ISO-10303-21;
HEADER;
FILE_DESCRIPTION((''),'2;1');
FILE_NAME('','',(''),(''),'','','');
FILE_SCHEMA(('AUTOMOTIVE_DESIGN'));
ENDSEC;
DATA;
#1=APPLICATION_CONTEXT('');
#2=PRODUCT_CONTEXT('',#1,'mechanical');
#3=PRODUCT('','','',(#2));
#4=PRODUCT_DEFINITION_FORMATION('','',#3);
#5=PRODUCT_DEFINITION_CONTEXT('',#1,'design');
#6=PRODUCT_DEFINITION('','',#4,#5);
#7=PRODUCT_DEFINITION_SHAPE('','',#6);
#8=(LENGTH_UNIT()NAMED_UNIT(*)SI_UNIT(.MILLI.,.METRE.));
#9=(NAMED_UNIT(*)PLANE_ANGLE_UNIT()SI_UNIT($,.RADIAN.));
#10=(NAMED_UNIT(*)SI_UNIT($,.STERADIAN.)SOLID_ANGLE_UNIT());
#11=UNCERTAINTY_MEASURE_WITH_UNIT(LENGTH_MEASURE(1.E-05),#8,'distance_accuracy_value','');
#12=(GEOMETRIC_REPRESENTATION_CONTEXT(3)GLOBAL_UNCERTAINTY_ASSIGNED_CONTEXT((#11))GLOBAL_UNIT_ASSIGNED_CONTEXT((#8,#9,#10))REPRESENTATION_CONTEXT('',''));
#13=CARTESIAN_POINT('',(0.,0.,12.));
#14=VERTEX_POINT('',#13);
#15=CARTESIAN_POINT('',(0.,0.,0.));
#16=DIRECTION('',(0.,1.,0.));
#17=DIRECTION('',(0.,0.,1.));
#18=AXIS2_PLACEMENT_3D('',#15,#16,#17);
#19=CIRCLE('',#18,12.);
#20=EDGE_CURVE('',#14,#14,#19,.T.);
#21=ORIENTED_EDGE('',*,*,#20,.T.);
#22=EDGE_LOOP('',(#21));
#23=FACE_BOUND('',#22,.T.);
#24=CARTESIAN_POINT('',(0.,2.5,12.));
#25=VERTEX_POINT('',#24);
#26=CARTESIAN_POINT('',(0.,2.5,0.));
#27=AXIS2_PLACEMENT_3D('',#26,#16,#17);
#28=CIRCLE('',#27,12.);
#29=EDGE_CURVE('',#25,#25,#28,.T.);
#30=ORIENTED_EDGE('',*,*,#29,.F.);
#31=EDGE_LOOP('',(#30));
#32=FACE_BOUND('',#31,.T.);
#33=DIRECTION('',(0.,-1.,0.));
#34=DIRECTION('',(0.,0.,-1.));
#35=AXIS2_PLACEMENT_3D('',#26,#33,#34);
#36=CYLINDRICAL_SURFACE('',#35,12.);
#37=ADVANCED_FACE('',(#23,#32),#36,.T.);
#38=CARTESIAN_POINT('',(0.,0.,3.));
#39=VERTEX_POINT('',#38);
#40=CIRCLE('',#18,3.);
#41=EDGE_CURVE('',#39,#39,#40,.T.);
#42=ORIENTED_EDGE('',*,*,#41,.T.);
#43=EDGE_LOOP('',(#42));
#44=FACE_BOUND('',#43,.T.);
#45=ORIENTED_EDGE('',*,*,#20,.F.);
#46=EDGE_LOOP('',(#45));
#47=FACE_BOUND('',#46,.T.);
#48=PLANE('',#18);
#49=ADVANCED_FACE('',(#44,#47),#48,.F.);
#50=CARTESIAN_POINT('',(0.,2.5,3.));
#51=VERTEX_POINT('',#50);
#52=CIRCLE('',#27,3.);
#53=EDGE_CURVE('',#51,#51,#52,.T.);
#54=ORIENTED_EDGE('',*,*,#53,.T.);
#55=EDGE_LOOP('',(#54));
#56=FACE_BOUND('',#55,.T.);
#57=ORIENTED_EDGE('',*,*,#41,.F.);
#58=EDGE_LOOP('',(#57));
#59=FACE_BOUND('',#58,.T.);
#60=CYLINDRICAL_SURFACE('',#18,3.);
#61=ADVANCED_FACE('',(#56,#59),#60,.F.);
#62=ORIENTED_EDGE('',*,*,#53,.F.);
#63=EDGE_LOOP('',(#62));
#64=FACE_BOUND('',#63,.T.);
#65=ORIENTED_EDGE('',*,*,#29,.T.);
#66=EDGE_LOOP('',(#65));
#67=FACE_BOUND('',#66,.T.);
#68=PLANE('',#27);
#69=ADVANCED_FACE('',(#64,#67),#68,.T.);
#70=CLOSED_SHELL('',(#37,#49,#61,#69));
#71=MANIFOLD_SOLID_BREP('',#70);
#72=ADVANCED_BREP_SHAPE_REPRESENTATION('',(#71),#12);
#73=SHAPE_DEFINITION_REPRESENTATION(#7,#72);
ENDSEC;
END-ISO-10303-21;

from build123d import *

# Parameters (mm, degrees)
SZKIC1_R                    = 12
DODANIE_WYCI_GNI_CIE1_DEPTH = 2.5
SZKIC2_R                    = 3
WYTNIJ_WYCI_GNI_CIE1_DEPTH  = 2.5


with BuildPart() as part:
    # Szkic1 → Dodanie-wyciągnięcie1 (new body)
    with BuildSketch(Plane(origin=(0, 0, 0), x_dir=(1, 0, 0), z_dir=(0, 1, 0))):
        with Locations(Location((0, 0, 0), (0, 0, 270))):
            Circle(SZKIC1_R)
    extrude(amount=DODANIE_WYCI_GNI_CIE1_DEPTH)

    # Szkic2 → Wytnij-wyciągnięcie1 (cut)
    with BuildSketch(Plane(origin=(0, 2.5, 0), x_dir=(1, 0, 0), z_dir=(0, 1, 0))):
        with Locations(Location((0, 0, 0), (0, 0, 270))):
            Circle(SZKIC2_R)
    extrude(amount=-WYTNIJ_WYCI_GNI_CIE1_DEPTH, mode=Mode.SUBTRACT)


solid = part.part
